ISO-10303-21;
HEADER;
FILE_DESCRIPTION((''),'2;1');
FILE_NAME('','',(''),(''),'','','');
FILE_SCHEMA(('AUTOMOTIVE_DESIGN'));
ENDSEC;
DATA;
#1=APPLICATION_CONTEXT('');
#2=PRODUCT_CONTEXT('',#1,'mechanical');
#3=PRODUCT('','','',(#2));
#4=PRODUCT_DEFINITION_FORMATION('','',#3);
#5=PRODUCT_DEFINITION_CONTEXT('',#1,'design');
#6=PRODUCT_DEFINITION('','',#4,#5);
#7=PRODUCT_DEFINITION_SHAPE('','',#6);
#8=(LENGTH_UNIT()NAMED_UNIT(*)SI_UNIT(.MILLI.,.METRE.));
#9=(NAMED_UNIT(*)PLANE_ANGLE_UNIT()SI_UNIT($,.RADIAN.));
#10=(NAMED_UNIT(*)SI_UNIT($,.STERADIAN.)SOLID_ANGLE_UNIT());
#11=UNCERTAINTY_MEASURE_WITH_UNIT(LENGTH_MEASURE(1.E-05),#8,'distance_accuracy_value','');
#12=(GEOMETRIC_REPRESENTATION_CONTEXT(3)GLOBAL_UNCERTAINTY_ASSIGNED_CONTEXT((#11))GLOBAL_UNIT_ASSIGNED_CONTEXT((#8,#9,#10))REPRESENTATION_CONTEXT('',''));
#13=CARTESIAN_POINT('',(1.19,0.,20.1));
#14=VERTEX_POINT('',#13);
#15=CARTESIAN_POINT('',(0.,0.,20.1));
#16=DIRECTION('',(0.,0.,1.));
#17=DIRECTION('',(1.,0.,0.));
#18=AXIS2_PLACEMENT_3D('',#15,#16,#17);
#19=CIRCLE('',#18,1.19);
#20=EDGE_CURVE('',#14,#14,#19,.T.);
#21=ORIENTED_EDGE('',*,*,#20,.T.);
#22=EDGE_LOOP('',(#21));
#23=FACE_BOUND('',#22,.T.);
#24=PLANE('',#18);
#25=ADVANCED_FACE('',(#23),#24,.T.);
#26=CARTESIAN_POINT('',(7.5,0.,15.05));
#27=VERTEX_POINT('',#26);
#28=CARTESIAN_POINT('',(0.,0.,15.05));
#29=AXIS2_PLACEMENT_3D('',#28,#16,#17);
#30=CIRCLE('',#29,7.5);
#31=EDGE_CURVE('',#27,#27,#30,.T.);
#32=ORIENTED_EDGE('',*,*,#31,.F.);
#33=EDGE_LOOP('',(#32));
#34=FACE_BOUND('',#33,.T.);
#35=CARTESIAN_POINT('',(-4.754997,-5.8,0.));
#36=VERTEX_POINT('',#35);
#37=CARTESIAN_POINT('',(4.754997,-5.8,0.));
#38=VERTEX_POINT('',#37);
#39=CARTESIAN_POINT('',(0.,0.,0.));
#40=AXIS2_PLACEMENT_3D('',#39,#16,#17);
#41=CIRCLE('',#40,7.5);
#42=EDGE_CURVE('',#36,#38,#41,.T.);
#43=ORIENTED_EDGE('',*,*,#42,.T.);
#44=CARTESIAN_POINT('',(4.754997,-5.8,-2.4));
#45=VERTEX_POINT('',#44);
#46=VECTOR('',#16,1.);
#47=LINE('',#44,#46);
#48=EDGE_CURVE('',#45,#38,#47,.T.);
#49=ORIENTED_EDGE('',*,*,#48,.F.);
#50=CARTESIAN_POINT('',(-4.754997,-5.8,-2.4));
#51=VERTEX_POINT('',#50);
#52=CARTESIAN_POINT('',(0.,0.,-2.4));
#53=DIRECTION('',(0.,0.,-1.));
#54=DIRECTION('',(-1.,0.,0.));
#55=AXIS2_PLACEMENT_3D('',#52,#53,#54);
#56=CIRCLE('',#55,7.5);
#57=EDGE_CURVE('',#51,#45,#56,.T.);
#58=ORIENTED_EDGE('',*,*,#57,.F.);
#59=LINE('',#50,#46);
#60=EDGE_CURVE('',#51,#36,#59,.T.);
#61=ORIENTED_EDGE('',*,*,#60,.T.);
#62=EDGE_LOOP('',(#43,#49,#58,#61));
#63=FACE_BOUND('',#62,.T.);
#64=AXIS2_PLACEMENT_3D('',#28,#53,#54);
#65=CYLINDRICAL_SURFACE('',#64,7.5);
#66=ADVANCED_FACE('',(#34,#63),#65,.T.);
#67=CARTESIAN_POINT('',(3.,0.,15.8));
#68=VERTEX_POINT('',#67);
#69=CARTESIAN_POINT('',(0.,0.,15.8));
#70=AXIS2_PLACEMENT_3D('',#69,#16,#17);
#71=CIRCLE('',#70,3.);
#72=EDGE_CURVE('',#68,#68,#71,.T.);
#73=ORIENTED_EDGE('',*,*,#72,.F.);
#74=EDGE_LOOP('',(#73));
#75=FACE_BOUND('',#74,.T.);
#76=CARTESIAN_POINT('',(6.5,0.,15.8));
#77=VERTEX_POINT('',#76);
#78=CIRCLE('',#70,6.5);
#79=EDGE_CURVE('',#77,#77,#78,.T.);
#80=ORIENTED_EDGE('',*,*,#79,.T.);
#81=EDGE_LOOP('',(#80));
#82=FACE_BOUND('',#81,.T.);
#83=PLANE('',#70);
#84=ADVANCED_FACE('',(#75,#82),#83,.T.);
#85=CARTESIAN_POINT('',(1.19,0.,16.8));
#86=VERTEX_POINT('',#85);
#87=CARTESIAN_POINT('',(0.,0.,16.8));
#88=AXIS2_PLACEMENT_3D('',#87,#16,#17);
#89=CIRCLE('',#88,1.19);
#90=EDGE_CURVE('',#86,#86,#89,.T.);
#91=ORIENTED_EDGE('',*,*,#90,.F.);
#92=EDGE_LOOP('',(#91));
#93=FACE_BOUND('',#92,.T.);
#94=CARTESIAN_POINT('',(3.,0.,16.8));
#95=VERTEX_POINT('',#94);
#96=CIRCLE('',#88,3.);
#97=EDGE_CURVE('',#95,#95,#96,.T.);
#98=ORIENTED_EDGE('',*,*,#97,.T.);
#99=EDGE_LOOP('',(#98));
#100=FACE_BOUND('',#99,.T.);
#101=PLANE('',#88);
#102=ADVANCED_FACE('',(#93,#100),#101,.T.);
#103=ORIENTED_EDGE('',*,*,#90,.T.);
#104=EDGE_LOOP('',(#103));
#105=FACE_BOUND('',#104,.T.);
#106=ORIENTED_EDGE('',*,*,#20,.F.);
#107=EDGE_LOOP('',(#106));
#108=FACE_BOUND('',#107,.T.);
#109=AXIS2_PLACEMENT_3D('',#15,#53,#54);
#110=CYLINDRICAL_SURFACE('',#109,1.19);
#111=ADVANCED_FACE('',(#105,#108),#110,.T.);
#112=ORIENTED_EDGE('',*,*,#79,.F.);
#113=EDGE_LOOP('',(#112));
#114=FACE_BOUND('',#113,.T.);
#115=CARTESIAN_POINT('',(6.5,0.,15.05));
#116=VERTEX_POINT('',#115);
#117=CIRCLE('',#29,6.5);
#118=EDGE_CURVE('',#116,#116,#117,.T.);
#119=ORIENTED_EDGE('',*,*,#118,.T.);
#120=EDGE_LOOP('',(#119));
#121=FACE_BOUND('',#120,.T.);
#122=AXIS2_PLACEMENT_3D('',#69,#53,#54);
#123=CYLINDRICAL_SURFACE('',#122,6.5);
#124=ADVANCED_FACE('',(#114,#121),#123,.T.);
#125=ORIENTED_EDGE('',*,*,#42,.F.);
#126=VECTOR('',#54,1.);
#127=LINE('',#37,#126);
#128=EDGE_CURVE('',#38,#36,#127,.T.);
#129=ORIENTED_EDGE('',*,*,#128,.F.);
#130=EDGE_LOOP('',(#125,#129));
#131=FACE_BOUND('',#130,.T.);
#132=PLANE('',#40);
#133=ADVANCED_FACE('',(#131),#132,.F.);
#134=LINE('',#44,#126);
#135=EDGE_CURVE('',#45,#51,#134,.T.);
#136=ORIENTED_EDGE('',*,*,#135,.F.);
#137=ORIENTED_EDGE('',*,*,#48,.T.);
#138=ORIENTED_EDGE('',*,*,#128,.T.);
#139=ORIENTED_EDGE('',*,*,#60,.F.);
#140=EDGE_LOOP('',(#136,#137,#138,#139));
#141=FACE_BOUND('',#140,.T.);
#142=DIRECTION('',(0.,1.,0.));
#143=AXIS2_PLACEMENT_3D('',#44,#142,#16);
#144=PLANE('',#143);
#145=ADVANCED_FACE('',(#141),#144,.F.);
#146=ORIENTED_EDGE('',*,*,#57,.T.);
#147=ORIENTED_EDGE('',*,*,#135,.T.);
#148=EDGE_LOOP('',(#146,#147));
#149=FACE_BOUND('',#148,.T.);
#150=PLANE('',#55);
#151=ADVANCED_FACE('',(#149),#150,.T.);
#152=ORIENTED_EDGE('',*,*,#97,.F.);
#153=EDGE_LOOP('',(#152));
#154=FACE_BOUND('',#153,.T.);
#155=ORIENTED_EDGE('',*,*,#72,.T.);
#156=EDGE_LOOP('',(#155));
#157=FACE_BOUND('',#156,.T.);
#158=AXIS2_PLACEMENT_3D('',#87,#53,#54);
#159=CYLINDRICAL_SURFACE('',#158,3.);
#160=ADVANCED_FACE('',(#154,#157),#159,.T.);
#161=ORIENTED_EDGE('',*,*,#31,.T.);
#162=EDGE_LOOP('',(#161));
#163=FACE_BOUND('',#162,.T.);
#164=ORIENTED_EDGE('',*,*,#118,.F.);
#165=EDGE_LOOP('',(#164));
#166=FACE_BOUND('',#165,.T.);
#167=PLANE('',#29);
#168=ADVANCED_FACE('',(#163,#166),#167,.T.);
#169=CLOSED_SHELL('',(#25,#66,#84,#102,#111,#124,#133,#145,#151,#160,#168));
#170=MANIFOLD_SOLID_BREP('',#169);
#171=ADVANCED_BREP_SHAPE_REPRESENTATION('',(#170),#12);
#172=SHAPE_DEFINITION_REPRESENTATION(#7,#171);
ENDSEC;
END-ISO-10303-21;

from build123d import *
from build123d.topology import SkipClean

# Parameters (mm, degrees)
ESQUISSE1_R        = 7.5
BOSS_EXTRU_1_DEPTH = 15.05
ESQUISSE3_R        = 6.5
BOSS_EXTRU_2_DEPTH = 0.75
ESQUISSE4_R        = 3
BOSS_EXTRU_3_DEPTH = 1
ESQUISSE5_R        = 1.19
BOSS_EXTRU_4_DEPTH = 3.3
BOSS_EXTRU_7_START = 2.4
BOSS_EXTRU_7_DEPTH = 2.4


with BuildPart() as part:
    # Esquisse1 → Boss.-Extru.1 (new body)
    with BuildSketch(Plane.XY):
        Circle(ESQUISSE1_R)
    extrude(amount=BOSS_EXTRU_1_DEPTH)

    # Esquisse3 → Boss.-Extru.2 (add)
    with BuildSketch(Plane.XY.offset(15.05)):
        Circle(ESQUISSE3_R)
    extrude(amount=BOSS_EXTRU_2_DEPTH)

    # Esquisse4 → Boss.-Extru.3 (add)
    with BuildSketch(Plane.XY.offset(15.8)):
        Circle(ESQUISSE4_R)
    extrude(amount=BOSS_EXTRU_3_DEPTH)

    # Esquisse5 → Boss.-Extru.4 (add)
    with BuildSketch(Plane.XY.offset(16.8)):
        Circle(ESQUISSE5_R)
    extrude(amount=BOSS_EXTRU_4_DEPTH)

    # Esquisse8 → Boss.-Extru.7 (add)
    with SkipClean():  # the faces are left unmerged after this step: merging them gives an invalid solid
        with BuildSketch(Plane(origin=(0, 0, 0), x_dir=(-1, 0, 0), z_dir=(0, 0, -1)).offset(BOSS_EXTRU_7_START)):
            with BuildLine():
                Line((-4.754997371, -5.8), (4.754997371, -5.8))
                ThreePointArc((4.754997371, -5.8), (0, 7.5), (-4.754997371, -5.8))
            make_face()
        extrude(amount=-BOSS_EXTRU_7_DEPTH)


solid = part.part
